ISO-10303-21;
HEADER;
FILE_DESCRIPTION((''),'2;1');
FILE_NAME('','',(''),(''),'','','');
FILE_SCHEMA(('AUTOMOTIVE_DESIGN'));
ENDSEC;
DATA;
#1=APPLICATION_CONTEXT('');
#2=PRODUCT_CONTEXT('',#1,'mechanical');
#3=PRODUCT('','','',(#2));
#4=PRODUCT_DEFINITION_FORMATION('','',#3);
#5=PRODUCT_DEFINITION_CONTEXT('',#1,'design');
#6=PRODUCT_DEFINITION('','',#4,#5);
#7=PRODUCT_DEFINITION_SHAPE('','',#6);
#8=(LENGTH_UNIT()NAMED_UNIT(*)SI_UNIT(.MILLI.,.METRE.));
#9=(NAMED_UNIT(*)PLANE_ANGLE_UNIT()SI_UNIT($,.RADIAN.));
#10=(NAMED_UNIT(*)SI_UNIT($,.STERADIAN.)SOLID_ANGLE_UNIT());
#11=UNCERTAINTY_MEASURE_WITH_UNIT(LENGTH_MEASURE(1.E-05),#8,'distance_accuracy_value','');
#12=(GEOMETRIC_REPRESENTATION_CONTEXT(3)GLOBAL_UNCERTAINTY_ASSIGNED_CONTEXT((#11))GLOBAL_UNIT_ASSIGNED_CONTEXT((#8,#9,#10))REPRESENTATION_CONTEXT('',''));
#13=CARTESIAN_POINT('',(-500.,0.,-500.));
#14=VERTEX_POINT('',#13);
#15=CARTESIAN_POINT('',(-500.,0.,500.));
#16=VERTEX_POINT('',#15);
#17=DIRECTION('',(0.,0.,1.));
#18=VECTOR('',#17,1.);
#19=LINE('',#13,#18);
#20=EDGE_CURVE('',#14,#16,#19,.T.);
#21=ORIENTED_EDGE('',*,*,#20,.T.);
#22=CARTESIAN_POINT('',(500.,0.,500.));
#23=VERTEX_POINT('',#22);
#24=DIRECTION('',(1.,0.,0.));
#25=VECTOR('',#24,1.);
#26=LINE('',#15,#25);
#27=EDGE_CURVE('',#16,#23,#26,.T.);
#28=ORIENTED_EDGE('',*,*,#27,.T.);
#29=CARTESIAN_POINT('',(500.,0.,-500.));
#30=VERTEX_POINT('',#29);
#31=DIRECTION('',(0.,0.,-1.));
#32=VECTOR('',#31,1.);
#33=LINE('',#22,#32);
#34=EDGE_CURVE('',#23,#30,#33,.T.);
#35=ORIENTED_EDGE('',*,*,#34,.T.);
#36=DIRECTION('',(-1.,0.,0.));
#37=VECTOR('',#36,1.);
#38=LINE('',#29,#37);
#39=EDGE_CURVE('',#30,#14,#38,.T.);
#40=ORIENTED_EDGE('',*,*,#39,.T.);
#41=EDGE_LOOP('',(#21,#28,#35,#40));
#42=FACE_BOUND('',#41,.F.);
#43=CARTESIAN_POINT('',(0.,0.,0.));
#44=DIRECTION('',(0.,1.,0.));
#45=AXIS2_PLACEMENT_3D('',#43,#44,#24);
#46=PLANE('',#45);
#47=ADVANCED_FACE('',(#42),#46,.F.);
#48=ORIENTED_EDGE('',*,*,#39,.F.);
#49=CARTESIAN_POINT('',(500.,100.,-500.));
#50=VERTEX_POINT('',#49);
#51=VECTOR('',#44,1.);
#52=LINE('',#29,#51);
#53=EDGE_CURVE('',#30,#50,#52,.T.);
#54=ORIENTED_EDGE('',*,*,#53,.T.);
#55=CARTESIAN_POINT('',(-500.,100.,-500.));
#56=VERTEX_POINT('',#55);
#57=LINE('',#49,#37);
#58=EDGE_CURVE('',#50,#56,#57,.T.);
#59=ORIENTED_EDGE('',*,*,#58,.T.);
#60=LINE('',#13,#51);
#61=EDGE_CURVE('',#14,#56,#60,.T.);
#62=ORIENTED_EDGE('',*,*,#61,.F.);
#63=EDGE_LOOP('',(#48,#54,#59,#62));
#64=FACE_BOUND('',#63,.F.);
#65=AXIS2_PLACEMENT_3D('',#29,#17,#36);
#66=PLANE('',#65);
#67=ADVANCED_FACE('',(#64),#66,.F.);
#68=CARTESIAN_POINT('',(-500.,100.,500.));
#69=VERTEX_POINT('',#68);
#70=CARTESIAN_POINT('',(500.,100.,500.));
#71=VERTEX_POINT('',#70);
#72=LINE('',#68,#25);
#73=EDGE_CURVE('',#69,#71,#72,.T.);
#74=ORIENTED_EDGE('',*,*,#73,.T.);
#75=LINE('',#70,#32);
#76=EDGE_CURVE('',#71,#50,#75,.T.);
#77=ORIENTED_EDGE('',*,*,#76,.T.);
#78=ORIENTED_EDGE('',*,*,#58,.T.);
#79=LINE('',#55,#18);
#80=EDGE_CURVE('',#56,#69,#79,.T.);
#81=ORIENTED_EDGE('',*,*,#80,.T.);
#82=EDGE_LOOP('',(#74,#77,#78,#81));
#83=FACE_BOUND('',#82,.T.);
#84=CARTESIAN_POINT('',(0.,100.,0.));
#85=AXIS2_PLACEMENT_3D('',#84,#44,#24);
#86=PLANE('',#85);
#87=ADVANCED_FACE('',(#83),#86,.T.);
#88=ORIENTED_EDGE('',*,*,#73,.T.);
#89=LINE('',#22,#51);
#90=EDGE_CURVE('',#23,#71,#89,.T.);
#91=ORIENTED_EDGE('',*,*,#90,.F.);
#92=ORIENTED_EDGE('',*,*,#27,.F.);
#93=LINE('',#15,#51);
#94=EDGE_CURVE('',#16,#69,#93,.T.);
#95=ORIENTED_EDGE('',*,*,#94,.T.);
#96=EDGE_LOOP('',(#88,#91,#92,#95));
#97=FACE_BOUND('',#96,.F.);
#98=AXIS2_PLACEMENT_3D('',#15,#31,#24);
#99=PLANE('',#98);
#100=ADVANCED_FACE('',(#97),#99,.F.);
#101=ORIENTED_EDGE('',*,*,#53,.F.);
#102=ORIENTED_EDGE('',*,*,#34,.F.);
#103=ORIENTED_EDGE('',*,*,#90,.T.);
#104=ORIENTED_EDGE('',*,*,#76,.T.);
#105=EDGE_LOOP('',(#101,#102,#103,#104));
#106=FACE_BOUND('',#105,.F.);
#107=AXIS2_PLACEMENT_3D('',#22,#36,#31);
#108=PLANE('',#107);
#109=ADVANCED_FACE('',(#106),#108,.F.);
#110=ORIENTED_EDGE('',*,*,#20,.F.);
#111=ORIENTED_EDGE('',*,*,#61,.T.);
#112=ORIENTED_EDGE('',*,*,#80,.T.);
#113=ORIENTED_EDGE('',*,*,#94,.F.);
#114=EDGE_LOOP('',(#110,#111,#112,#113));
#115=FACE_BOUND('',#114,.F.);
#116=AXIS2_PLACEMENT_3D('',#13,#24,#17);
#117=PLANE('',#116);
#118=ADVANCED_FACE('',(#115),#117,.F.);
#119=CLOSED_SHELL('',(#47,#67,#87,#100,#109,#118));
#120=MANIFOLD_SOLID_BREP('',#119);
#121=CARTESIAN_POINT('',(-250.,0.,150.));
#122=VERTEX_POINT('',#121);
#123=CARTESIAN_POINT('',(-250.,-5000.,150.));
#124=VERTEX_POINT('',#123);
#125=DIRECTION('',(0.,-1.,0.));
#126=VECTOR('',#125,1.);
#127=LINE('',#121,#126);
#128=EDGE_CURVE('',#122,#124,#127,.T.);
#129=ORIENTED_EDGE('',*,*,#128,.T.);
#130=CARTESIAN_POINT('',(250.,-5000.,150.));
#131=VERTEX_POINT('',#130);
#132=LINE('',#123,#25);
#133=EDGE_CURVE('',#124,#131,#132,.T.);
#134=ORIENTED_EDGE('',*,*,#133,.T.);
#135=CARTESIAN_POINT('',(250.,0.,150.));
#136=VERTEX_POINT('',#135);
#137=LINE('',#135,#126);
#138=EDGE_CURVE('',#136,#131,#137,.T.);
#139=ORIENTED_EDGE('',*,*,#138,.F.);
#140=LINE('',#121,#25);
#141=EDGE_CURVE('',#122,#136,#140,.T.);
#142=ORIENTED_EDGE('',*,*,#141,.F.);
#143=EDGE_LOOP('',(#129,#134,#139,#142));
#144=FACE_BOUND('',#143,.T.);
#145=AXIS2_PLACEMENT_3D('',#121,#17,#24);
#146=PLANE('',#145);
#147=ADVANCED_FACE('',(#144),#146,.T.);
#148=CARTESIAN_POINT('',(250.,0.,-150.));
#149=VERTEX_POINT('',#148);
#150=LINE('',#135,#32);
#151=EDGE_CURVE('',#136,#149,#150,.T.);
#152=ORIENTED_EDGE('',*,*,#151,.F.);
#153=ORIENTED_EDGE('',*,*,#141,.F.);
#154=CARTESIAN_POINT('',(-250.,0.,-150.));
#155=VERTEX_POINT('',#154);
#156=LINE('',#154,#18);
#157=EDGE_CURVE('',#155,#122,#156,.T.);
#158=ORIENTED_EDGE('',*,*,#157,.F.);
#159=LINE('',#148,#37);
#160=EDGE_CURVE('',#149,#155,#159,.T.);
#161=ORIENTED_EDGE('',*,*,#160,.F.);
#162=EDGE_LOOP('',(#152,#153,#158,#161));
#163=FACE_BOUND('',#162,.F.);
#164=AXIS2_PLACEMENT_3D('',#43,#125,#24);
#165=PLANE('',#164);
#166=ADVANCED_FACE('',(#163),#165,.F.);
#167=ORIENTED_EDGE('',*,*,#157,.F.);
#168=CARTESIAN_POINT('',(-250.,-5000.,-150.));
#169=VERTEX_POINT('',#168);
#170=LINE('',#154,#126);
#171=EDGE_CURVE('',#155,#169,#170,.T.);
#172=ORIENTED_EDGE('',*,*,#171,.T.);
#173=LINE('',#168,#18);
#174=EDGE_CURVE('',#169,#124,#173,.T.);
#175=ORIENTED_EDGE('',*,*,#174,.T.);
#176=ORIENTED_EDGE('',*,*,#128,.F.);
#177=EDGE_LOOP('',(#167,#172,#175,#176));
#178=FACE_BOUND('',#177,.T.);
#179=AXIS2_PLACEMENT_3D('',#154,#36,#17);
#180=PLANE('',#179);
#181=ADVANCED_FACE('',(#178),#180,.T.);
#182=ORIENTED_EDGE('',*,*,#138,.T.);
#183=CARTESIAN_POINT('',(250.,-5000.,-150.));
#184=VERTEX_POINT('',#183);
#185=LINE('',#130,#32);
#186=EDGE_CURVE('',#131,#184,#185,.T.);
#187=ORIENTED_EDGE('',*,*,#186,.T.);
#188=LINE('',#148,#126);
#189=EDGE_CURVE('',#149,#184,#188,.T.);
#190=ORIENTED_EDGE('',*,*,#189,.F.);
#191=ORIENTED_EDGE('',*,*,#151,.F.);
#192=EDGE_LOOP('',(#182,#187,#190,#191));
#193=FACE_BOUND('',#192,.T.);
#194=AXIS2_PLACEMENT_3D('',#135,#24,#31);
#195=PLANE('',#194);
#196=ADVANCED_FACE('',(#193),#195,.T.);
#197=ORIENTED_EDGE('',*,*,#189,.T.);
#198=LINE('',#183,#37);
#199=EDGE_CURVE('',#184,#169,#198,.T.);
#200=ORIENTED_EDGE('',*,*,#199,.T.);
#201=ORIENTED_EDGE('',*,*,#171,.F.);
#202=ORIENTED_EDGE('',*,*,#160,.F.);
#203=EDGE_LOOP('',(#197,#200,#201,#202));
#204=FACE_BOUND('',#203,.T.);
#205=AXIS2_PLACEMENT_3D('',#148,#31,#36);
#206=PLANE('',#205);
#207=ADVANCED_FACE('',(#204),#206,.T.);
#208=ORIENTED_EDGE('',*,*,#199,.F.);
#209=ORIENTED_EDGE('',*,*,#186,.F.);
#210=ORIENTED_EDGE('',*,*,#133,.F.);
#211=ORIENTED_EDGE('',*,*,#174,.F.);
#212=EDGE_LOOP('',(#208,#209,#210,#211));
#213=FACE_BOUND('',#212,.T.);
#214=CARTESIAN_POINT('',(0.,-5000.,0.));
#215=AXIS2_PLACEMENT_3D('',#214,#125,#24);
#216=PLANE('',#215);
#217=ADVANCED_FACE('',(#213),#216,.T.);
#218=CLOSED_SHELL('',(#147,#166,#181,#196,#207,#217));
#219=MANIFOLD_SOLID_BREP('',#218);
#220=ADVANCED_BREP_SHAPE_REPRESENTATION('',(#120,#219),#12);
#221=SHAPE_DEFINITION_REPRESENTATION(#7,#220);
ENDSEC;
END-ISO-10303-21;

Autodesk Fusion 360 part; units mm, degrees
sketch "Sketch1" plane through (0, 0, 0) normal (0, 1, 0) x (1, 0, 0)
  line L0 (500, 500) -> (-500, 500)
  line L1 (-500, 500) -> (-500, -500)
  line L2 (-500, -500) -> (500, -500)
  line L3 (500, -500) -> (500, 500)
  line L4 (500, 500) -> (-500, -500) construction
  line L5 (-500, 500) -> (500, -500) construction
  dimension "d1" = 1000
  dimension "d2" = 1000
extrude "Extrude1" add sketch "Sketch1" along normal blind 100 makes body 1 in component "WALL"
sketch "Sketch2" plane through (0, 0, 0) normal (0, -1, 0) x (1, 0, 0)
  line L0 (500, -500) -> (500, 500)
  line L1 (500, 500) -> (-500, 500)
  line L2 (-500, 500) -> (-500, -500)
  line L3 (-500, -500) -> (500, -500)
  line L4 (250, -150) -> (-250, -150)
  line L5 (-250, -150) -> (-250, 150)
  line L6 (-250, 150) -> (250, 150)
  line L7 (250, 150) -> (250, -150)
  line L8 (250, -150) -> (-250, 150) construction
  line L9 (-250, -150) -> (250, 150) construction
extrude "Extrude1'" add sketch "Sketch2" along normal blind 5000 separate body contours L4 L5 L6 L7 makes body 2 in component "BEAM"
component "WALL" placed x (1, 0, 0) y (0, 1, 0) z (0, 0, 1) at (0, 0, 0)
component "BEAM" placed x (1, 0, 0) y (0, 1, 0) z (0, 0, 1) at (0, 0, 0)
